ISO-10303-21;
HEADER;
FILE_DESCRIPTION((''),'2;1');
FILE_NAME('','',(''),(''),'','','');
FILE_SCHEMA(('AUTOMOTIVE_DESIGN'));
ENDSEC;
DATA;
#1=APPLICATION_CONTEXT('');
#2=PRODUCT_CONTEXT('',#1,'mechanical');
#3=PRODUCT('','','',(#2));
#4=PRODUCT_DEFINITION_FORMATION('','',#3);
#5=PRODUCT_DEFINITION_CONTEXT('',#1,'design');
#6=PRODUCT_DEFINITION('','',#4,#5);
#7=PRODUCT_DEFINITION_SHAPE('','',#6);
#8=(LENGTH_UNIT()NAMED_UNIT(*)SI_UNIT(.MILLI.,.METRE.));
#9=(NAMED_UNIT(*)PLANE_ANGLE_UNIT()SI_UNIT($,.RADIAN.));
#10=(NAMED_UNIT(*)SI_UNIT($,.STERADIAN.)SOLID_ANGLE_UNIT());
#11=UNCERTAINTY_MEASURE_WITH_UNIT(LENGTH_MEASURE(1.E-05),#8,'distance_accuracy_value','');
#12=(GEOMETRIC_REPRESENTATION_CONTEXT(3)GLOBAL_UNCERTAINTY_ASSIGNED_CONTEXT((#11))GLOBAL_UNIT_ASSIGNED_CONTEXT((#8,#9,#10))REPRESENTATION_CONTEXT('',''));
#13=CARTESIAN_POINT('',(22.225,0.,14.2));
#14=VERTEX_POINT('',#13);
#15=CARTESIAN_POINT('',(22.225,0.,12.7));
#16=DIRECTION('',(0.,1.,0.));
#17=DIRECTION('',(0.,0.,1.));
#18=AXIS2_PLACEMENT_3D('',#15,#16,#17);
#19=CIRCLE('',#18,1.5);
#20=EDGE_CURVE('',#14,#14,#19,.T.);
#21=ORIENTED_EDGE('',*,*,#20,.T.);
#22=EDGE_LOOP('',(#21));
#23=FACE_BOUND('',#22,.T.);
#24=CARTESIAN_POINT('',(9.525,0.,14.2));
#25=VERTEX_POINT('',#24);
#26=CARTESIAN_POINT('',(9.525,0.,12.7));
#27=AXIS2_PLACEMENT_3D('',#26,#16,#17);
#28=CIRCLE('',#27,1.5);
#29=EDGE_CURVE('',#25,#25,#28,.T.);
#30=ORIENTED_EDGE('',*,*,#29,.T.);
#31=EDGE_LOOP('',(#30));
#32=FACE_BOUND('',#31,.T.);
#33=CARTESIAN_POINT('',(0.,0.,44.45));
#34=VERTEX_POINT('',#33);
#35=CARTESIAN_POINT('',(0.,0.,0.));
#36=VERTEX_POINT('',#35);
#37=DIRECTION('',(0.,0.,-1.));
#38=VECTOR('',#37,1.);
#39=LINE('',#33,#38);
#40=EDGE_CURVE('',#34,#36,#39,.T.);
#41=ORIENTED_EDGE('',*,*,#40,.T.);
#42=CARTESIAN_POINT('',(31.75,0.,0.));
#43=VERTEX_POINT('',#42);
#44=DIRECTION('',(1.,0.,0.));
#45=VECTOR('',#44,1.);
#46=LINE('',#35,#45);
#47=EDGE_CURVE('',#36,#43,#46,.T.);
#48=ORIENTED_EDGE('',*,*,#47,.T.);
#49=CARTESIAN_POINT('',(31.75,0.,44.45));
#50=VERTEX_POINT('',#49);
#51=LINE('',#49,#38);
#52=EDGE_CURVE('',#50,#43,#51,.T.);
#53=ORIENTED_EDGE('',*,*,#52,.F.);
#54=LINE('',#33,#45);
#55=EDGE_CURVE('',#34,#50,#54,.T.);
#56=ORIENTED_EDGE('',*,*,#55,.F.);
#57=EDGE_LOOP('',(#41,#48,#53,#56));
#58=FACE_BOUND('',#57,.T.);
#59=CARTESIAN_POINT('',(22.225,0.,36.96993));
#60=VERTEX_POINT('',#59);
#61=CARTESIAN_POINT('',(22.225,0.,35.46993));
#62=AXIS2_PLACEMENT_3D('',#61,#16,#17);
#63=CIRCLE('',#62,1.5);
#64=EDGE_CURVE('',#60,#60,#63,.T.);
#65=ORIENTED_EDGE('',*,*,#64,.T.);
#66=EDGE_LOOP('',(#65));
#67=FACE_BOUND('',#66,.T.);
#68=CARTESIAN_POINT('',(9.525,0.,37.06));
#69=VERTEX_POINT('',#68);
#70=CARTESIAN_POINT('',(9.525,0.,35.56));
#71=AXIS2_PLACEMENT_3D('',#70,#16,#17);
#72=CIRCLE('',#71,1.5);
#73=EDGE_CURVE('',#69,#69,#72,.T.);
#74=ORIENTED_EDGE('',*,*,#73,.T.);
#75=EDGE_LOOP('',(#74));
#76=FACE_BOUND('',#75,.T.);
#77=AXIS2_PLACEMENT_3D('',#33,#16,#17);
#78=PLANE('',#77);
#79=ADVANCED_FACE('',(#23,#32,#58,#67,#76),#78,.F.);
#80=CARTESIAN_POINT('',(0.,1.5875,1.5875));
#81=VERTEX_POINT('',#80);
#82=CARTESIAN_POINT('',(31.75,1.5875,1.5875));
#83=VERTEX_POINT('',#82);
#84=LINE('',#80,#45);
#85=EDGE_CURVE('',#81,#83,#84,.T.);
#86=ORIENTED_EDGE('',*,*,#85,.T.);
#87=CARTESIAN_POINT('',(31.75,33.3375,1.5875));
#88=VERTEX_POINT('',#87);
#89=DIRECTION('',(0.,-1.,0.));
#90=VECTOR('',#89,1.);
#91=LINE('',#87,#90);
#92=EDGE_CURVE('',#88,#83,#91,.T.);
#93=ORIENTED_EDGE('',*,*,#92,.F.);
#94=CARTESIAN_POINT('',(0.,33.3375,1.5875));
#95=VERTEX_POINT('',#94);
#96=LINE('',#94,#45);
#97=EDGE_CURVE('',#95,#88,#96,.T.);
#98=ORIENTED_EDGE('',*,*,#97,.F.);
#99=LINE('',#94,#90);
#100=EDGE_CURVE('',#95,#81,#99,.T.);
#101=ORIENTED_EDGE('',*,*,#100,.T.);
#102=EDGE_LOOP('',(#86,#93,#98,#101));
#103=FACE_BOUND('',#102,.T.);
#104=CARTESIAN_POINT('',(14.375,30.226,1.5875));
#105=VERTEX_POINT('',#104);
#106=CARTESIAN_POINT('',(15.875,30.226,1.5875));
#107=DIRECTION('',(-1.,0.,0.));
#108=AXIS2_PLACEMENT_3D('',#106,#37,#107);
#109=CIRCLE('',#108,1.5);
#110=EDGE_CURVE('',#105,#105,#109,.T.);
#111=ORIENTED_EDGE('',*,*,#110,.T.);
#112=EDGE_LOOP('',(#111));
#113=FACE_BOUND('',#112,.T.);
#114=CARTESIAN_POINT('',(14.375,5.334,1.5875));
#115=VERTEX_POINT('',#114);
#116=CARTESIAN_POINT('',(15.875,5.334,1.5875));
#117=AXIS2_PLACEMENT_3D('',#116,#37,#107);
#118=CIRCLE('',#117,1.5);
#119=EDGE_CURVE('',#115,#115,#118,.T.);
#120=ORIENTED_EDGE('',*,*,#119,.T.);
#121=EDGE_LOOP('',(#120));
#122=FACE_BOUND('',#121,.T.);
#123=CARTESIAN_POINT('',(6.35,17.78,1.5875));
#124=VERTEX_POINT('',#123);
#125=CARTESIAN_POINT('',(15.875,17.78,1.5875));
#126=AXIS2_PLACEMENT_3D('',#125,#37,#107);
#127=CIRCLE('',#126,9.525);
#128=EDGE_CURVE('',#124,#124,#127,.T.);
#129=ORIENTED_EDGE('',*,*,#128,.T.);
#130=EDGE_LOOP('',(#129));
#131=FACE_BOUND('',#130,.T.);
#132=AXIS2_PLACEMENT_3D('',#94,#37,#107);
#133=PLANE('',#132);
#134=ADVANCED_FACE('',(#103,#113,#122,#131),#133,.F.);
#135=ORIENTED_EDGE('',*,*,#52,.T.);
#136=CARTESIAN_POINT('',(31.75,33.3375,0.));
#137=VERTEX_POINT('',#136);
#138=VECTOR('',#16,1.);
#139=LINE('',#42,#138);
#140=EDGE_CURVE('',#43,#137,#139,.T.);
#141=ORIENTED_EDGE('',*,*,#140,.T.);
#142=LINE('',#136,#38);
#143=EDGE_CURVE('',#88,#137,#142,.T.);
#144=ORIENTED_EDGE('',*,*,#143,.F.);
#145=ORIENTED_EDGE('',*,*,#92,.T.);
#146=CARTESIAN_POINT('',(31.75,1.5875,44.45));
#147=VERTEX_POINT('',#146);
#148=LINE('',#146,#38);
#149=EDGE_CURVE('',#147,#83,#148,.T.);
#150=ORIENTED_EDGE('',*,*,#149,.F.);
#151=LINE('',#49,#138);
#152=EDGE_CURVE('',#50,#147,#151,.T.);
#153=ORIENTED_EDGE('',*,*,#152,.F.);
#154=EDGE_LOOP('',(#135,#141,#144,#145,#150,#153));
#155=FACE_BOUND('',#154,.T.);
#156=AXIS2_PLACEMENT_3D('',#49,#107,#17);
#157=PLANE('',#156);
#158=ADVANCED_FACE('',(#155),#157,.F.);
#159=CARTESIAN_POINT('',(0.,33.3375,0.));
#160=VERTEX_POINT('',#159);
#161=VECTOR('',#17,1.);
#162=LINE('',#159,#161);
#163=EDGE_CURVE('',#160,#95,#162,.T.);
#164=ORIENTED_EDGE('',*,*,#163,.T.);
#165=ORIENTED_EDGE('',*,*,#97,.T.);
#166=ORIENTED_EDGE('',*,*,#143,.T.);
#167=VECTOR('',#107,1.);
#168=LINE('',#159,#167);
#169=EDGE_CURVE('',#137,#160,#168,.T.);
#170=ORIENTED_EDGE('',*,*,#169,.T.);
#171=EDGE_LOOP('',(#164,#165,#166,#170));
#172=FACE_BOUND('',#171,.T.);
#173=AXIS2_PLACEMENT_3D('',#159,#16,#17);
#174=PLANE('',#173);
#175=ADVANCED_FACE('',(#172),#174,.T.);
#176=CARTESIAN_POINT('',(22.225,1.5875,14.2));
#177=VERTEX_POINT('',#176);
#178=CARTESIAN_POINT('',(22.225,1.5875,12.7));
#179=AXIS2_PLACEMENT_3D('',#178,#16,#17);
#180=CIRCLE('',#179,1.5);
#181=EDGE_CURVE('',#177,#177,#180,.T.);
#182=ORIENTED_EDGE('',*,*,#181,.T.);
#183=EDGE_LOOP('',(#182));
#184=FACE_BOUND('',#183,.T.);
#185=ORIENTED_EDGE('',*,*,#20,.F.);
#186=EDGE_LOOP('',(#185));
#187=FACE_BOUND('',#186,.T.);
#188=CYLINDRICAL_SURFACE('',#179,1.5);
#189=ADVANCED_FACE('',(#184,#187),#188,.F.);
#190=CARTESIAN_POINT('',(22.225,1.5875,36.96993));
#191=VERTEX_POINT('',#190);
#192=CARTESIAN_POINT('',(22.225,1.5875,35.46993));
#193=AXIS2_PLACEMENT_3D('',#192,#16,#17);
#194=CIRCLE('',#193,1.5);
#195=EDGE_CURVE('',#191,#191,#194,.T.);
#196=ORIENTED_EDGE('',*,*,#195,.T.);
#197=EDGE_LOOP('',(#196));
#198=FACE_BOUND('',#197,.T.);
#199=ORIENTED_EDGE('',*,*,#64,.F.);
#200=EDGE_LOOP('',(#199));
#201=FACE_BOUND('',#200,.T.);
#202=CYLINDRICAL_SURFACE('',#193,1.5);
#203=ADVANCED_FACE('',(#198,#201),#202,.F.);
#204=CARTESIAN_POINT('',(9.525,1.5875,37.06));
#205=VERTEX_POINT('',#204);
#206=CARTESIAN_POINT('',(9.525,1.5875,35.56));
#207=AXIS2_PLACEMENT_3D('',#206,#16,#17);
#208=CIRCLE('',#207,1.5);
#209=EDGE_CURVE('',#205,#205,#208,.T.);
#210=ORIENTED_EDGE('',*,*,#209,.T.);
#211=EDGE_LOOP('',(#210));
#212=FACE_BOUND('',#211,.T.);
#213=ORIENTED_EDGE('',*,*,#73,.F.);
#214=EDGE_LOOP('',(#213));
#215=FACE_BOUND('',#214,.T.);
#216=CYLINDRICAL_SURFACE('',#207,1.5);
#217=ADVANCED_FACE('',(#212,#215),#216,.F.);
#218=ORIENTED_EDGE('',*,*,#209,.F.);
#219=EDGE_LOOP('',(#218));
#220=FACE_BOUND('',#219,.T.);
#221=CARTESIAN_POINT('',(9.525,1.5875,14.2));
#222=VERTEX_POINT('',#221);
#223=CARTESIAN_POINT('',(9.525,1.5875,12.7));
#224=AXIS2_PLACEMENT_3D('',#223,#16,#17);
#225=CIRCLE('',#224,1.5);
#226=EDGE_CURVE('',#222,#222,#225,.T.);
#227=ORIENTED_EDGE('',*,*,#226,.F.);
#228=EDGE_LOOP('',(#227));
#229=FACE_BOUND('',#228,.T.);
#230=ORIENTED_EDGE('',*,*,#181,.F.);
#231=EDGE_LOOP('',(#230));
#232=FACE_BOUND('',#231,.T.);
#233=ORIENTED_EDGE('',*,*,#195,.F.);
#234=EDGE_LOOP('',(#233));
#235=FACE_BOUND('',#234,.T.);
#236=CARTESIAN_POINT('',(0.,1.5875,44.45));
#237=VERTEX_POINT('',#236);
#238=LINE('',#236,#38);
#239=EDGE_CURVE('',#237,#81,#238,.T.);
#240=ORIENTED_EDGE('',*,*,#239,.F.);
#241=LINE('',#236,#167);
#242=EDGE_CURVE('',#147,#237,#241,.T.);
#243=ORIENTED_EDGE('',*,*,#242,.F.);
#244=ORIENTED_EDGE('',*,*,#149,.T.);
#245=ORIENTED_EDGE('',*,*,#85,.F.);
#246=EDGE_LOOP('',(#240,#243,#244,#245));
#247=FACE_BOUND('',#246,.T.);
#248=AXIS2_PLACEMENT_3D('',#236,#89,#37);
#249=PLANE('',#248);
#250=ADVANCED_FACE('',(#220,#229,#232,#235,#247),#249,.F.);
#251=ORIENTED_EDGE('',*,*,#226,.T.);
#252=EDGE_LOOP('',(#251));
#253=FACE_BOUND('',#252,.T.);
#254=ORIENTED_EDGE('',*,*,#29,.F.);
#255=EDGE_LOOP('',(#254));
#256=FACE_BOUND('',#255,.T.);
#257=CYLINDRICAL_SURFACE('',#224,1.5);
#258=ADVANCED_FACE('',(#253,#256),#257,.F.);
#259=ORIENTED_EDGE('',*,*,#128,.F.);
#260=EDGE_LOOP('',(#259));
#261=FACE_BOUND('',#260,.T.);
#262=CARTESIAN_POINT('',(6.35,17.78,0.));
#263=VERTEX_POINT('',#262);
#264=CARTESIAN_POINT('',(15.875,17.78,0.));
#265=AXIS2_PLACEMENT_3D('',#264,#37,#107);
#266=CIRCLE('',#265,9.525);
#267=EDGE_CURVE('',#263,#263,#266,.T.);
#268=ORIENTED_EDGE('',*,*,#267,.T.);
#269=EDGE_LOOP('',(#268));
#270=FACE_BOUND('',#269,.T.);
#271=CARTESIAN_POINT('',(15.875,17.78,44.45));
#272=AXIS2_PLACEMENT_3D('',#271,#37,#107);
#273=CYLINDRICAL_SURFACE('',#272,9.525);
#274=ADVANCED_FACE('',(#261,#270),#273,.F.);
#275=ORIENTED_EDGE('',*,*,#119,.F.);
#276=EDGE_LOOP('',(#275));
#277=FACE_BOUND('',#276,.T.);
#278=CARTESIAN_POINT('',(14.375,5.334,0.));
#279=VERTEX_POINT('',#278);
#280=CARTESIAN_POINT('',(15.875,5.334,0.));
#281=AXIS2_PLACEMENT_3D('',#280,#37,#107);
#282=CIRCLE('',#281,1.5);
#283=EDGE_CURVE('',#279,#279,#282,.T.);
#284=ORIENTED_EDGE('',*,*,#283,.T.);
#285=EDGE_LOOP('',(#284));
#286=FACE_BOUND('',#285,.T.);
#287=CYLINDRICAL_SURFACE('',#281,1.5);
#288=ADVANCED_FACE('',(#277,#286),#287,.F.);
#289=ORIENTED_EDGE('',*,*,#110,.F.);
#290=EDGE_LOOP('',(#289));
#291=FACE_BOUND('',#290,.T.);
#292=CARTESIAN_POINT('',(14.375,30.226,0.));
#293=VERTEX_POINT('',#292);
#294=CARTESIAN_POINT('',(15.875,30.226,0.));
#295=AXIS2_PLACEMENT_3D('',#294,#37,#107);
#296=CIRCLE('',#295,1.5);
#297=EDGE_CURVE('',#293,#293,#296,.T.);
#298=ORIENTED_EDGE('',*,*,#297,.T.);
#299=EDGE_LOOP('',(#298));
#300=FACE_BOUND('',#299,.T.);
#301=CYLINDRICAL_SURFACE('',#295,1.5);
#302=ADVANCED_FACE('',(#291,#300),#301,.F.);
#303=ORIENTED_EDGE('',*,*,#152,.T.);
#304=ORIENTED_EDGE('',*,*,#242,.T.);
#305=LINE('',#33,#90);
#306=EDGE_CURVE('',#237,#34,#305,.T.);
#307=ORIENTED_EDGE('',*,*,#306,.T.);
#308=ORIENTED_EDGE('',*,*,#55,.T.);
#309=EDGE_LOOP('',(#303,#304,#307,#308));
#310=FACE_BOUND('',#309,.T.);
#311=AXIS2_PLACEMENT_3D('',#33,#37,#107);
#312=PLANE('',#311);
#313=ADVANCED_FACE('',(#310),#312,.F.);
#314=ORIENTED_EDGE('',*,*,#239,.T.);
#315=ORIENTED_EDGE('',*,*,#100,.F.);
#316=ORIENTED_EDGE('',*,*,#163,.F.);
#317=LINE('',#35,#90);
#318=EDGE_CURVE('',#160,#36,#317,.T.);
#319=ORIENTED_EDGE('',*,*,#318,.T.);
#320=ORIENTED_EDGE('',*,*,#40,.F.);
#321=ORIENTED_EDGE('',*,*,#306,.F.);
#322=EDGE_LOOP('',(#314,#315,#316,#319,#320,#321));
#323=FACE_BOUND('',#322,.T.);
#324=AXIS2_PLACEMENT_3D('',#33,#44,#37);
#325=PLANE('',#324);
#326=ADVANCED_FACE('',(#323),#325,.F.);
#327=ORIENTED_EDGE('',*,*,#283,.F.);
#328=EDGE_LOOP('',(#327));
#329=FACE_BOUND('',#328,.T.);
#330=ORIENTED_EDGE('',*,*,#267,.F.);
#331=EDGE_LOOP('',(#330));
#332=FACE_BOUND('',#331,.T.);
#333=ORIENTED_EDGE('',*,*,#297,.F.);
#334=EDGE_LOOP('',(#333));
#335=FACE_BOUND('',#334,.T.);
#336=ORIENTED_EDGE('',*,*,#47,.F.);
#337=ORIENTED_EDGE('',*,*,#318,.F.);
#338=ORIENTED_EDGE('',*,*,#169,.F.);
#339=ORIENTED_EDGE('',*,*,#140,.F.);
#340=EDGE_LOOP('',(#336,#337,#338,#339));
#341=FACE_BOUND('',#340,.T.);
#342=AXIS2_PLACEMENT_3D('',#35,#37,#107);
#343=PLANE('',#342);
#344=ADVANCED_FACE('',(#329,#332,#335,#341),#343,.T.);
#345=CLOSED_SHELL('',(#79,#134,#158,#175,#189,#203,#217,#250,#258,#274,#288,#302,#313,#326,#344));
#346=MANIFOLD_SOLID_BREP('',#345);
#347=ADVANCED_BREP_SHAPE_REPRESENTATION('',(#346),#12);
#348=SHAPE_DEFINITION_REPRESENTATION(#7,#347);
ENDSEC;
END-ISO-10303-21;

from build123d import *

# Parameters (mm, degrees)
SKETCH1_W                    = 31.75
SKETCH1_H                    = 1.5875
BOSS_EXTRUDE1_DEPTH          = 44.45
SKETCH2_W                    = 31.75
SKETCH2_H                    = 1.5875
BOSS_EXTRUDE2_DEPTH          = 31.75
SKETCH3_R                    = 9.525
CUT_EXTRUDE1_DEPTH           = 64.994170877
F_3_0_3_DIAMETER_HOLE1_D     = 3
F_3_0_3_DIAMETER_HOLE1_DEPTH = 3.556
F_3_0_3_DIAMETER_HOLE1_TIP   = 0.901290929
F_3_0_3_DIAMETER_HOLE2_D     = 3
F_3_0_3_DIAMETER_HOLE2_DEPTH = 3.556
F_3_0_3_DIAMETER_HOLE2_TIP   = 0.901290929


with BuildPart() as part:
    # Sketch1 → Boss-Extrude1 (new body)
    with BuildSketch(Plane.XY):
        with Locations((15.875, 0.79375)):
            Rectangle(SKETCH1_W, SKETCH1_H)
    extrude(amount=BOSS_EXTRUDE1_DEPTH)

    # Sketch2 → Boss-Extrude2 (add)
    with BuildSketch(Plane(origin=(0, 1.5875, 0), x_dir=(1, 0, 0), z_dir=(0, 1, 0))):
        with Locations((15.875, -0.79375)):
            Rectangle(SKETCH2_W, SKETCH2_H)
    extrude(amount=BOSS_EXTRUDE2_DEPTH)

    # Sketch3 → Cut-Extrude1 (cut, through all)
    with BuildSketch(Plane(origin=(0, 0, 0), x_dir=(-1, 0, 0), z_dir=(0, 0, -1))):
        with Locations((-15.875, 17.78)):
            Circle(SKETCH3_R)
    extrude(amount=-CUT_EXTRUDE1_DEPTH, mode=Mode.SUBTRACT)

    # Ø3.0 (3) Diameter Hole1
    with Locations(Plane(origin=(0, 0, 0), x_dir=(-1, 0, 0), z_dir=(0, 0, -1))):
        with Locations((-15.875, 30.226), (-15.875, 5.334)):
            Hole(F_3_0_3_DIAMETER_HOLE1_D / 2, depth=F_3_0_3_DIAMETER_HOLE1_DEPTH)
            with Locations((0, 0, -(F_3_0_3_DIAMETER_HOLE1_DEPTH + F_3_0_3_DIAMETER_HOLE1_TIP / 2))):  # 118° drill point
                Cone(0, F_3_0_3_DIAMETER_HOLE1_D / 2, F_3_0_3_DIAMETER_HOLE1_TIP, mode=Mode.SUBTRACT)

    # Ø3.0 (3) Diameter Hole2
    with Locations(Plane(origin=(0, 1.5875, 0), x_dir=(1, 0, 0), z_dir=(0, 1, 0))):
        with Locations((22.225, -12.7), (22.225, -35.469930371), (9.525, -12.7), (9.525, -35.56)):
            Hole(F_3_0_3_DIAMETER_HOLE2_D / 2, depth=F_3_0_3_DIAMETER_HOLE2_DEPTH)
            with Locations((0, 0, -(F_3_0_3_DIAMETER_HOLE2_DEPTH + F_3_0_3_DIAMETER_HOLE2_TIP / 2))):  # 118° drill point
                Cone(0, F_3_0_3_DIAMETER_HOLE2_D / 2, F_3_0_3_DIAMETER_HOLE2_TIP, mode=Mode.SUBTRACT)


solid = part.part
